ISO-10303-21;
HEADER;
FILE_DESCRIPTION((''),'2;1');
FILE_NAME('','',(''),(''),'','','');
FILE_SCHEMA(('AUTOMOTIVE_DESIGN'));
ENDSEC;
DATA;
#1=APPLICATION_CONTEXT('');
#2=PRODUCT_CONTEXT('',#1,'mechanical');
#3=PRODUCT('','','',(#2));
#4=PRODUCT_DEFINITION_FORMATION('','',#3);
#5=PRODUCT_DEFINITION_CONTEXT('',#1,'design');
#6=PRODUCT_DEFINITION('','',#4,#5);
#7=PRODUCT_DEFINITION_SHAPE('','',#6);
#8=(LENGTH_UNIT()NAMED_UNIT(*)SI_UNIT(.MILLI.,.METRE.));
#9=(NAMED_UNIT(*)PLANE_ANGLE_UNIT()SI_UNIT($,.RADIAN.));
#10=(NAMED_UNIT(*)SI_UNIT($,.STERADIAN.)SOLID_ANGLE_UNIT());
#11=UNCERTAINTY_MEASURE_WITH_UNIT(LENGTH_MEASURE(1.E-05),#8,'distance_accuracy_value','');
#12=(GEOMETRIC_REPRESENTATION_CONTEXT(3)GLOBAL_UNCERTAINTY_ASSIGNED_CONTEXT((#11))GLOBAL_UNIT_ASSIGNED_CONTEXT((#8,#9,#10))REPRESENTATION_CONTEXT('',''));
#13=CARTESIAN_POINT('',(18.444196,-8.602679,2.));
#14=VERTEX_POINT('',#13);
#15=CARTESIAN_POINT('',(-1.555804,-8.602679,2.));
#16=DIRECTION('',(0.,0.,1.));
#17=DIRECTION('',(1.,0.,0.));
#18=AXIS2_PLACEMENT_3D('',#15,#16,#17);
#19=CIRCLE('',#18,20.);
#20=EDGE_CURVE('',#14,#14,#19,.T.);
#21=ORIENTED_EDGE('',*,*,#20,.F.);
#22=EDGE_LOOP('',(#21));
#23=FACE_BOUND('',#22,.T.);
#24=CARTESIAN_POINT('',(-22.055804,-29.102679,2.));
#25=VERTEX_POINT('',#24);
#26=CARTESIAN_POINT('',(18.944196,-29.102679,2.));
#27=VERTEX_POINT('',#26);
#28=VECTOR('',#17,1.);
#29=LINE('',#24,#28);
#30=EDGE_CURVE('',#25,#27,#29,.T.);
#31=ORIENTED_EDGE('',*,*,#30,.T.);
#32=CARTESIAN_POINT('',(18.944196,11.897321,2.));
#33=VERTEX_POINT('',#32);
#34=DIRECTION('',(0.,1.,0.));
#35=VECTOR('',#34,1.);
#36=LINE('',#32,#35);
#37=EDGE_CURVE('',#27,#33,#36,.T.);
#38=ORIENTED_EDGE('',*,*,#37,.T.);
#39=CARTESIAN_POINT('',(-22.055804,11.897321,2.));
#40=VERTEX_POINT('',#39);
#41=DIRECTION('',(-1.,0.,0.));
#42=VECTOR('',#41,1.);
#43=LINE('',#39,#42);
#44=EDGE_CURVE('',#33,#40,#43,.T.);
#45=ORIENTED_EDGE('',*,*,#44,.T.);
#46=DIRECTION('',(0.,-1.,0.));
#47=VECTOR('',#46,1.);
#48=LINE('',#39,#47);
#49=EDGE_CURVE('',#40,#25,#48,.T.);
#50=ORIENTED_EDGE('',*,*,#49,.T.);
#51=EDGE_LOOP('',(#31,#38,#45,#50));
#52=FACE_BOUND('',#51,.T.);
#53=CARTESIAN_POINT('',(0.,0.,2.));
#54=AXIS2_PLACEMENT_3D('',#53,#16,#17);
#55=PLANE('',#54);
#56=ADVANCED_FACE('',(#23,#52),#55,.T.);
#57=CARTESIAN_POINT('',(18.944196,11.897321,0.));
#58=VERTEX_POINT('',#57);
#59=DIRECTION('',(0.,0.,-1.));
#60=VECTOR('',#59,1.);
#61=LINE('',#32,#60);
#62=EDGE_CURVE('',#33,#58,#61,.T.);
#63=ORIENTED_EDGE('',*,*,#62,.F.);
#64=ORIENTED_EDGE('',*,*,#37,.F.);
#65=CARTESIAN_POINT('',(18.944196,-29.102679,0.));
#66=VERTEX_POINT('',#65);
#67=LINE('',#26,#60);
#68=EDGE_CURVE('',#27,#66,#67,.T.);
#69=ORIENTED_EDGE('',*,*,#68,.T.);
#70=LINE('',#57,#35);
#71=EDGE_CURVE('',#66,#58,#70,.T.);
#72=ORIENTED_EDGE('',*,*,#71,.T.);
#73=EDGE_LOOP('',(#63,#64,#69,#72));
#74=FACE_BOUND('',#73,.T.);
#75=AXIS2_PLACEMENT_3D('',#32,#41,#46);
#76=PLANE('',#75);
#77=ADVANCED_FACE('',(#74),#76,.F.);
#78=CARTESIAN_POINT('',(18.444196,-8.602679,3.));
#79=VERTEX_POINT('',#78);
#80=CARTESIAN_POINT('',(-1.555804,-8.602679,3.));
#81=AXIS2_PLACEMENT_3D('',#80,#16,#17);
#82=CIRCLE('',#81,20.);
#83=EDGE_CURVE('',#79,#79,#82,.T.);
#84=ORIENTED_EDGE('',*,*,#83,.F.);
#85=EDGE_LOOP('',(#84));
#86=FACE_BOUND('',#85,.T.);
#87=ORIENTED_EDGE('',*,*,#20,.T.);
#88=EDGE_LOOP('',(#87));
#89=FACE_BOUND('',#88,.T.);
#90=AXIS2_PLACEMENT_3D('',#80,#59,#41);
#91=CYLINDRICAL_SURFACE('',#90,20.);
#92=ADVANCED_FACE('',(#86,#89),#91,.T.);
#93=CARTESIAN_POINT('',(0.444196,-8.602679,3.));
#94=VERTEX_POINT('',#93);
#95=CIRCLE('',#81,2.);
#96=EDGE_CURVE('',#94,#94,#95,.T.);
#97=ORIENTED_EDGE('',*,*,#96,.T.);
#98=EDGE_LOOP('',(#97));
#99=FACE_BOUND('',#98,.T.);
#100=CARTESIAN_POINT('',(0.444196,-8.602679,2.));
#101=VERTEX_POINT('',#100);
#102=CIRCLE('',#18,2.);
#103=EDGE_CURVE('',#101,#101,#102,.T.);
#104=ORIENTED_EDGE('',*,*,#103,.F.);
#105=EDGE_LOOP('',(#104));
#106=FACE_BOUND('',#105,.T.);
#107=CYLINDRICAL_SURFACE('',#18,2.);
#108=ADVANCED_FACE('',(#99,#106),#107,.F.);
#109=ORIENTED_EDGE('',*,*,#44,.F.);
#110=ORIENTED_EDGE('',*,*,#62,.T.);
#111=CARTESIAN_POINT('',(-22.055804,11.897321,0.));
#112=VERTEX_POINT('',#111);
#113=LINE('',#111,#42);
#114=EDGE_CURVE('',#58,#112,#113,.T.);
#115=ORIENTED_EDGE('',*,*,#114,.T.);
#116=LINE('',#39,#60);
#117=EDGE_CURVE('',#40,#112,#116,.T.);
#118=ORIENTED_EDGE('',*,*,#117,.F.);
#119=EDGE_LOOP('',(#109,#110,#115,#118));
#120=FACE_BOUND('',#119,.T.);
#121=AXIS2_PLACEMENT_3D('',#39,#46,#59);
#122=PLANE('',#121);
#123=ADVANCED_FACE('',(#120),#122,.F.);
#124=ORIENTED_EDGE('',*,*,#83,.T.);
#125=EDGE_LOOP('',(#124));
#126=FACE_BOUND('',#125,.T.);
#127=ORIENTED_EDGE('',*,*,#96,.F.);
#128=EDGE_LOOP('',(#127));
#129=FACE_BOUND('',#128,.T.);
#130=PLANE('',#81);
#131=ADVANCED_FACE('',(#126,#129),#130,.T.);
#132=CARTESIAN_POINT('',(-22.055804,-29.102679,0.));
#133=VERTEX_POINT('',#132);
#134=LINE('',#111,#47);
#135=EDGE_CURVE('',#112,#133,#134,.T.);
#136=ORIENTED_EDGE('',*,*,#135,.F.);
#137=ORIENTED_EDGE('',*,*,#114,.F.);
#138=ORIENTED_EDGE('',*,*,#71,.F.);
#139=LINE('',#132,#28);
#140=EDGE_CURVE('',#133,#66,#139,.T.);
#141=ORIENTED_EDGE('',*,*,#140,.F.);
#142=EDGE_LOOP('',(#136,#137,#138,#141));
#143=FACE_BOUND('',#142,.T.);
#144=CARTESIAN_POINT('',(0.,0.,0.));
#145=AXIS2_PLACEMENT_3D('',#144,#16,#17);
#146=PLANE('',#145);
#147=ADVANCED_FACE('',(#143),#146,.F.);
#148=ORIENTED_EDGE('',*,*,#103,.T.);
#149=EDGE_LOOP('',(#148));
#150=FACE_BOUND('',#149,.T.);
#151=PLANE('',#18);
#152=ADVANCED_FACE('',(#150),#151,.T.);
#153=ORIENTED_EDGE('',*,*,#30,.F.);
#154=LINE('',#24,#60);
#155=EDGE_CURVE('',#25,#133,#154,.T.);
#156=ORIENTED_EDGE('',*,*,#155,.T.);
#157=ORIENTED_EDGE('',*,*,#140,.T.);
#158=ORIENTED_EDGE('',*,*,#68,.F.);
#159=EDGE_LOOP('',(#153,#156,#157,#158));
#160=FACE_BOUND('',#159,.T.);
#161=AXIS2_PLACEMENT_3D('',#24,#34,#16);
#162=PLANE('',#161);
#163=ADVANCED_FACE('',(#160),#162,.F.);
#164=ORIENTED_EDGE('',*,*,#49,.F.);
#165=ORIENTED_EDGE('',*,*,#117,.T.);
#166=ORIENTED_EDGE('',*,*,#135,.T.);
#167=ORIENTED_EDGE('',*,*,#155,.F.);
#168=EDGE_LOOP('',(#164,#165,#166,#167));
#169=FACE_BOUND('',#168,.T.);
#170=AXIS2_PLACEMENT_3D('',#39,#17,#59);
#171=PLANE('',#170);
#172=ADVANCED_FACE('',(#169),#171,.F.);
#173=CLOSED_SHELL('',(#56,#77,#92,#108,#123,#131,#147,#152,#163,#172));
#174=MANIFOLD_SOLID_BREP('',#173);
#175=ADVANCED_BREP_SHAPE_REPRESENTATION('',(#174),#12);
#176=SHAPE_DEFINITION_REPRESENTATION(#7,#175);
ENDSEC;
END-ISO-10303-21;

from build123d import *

# Parameters (mm, degrees)
SKETCH1_W           = 41
SKETCH1_H           = 41
BOSS_EXTRUDE1_DEPTH = 2
SKETCH2_R           = 20
BOSS_EXTRUDE2_DEPTH = 1
SKETCH3_R           = 2
CUT_EXTRUDE1_DEPTH  = 1


with BuildPart() as part:
    # Sketch1 → Boss-Extrude1 (new body)
    with BuildSketch(Plane.XY):
        with Locations((-1.555803571, -8.602678571)):
            Rectangle(SKETCH1_W, SKETCH1_H)
    extrude(amount=BOSS_EXTRUDE1_DEPTH)

    # Sketch2 → Boss-Extrude2 (add)
    with BuildSketch(Plane.XY.offset(2)):
        with Locations((-1.555803571, -8.602678571)):
            Circle(SKETCH2_R)
    extrude(amount=BOSS_EXTRUDE2_DEPTH)

    # Sketch3 → Cut-Extrude1 (cut)
    with BuildSketch(Plane.XY.offset(3)):
        with Locations((-1.555803571, -8.602678571)):
            Circle(SKETCH3_R)
    extrude(amount=-CUT_EXTRUDE1_DEPTH, mode=Mode.SUBTRACT)


solid = part.part
